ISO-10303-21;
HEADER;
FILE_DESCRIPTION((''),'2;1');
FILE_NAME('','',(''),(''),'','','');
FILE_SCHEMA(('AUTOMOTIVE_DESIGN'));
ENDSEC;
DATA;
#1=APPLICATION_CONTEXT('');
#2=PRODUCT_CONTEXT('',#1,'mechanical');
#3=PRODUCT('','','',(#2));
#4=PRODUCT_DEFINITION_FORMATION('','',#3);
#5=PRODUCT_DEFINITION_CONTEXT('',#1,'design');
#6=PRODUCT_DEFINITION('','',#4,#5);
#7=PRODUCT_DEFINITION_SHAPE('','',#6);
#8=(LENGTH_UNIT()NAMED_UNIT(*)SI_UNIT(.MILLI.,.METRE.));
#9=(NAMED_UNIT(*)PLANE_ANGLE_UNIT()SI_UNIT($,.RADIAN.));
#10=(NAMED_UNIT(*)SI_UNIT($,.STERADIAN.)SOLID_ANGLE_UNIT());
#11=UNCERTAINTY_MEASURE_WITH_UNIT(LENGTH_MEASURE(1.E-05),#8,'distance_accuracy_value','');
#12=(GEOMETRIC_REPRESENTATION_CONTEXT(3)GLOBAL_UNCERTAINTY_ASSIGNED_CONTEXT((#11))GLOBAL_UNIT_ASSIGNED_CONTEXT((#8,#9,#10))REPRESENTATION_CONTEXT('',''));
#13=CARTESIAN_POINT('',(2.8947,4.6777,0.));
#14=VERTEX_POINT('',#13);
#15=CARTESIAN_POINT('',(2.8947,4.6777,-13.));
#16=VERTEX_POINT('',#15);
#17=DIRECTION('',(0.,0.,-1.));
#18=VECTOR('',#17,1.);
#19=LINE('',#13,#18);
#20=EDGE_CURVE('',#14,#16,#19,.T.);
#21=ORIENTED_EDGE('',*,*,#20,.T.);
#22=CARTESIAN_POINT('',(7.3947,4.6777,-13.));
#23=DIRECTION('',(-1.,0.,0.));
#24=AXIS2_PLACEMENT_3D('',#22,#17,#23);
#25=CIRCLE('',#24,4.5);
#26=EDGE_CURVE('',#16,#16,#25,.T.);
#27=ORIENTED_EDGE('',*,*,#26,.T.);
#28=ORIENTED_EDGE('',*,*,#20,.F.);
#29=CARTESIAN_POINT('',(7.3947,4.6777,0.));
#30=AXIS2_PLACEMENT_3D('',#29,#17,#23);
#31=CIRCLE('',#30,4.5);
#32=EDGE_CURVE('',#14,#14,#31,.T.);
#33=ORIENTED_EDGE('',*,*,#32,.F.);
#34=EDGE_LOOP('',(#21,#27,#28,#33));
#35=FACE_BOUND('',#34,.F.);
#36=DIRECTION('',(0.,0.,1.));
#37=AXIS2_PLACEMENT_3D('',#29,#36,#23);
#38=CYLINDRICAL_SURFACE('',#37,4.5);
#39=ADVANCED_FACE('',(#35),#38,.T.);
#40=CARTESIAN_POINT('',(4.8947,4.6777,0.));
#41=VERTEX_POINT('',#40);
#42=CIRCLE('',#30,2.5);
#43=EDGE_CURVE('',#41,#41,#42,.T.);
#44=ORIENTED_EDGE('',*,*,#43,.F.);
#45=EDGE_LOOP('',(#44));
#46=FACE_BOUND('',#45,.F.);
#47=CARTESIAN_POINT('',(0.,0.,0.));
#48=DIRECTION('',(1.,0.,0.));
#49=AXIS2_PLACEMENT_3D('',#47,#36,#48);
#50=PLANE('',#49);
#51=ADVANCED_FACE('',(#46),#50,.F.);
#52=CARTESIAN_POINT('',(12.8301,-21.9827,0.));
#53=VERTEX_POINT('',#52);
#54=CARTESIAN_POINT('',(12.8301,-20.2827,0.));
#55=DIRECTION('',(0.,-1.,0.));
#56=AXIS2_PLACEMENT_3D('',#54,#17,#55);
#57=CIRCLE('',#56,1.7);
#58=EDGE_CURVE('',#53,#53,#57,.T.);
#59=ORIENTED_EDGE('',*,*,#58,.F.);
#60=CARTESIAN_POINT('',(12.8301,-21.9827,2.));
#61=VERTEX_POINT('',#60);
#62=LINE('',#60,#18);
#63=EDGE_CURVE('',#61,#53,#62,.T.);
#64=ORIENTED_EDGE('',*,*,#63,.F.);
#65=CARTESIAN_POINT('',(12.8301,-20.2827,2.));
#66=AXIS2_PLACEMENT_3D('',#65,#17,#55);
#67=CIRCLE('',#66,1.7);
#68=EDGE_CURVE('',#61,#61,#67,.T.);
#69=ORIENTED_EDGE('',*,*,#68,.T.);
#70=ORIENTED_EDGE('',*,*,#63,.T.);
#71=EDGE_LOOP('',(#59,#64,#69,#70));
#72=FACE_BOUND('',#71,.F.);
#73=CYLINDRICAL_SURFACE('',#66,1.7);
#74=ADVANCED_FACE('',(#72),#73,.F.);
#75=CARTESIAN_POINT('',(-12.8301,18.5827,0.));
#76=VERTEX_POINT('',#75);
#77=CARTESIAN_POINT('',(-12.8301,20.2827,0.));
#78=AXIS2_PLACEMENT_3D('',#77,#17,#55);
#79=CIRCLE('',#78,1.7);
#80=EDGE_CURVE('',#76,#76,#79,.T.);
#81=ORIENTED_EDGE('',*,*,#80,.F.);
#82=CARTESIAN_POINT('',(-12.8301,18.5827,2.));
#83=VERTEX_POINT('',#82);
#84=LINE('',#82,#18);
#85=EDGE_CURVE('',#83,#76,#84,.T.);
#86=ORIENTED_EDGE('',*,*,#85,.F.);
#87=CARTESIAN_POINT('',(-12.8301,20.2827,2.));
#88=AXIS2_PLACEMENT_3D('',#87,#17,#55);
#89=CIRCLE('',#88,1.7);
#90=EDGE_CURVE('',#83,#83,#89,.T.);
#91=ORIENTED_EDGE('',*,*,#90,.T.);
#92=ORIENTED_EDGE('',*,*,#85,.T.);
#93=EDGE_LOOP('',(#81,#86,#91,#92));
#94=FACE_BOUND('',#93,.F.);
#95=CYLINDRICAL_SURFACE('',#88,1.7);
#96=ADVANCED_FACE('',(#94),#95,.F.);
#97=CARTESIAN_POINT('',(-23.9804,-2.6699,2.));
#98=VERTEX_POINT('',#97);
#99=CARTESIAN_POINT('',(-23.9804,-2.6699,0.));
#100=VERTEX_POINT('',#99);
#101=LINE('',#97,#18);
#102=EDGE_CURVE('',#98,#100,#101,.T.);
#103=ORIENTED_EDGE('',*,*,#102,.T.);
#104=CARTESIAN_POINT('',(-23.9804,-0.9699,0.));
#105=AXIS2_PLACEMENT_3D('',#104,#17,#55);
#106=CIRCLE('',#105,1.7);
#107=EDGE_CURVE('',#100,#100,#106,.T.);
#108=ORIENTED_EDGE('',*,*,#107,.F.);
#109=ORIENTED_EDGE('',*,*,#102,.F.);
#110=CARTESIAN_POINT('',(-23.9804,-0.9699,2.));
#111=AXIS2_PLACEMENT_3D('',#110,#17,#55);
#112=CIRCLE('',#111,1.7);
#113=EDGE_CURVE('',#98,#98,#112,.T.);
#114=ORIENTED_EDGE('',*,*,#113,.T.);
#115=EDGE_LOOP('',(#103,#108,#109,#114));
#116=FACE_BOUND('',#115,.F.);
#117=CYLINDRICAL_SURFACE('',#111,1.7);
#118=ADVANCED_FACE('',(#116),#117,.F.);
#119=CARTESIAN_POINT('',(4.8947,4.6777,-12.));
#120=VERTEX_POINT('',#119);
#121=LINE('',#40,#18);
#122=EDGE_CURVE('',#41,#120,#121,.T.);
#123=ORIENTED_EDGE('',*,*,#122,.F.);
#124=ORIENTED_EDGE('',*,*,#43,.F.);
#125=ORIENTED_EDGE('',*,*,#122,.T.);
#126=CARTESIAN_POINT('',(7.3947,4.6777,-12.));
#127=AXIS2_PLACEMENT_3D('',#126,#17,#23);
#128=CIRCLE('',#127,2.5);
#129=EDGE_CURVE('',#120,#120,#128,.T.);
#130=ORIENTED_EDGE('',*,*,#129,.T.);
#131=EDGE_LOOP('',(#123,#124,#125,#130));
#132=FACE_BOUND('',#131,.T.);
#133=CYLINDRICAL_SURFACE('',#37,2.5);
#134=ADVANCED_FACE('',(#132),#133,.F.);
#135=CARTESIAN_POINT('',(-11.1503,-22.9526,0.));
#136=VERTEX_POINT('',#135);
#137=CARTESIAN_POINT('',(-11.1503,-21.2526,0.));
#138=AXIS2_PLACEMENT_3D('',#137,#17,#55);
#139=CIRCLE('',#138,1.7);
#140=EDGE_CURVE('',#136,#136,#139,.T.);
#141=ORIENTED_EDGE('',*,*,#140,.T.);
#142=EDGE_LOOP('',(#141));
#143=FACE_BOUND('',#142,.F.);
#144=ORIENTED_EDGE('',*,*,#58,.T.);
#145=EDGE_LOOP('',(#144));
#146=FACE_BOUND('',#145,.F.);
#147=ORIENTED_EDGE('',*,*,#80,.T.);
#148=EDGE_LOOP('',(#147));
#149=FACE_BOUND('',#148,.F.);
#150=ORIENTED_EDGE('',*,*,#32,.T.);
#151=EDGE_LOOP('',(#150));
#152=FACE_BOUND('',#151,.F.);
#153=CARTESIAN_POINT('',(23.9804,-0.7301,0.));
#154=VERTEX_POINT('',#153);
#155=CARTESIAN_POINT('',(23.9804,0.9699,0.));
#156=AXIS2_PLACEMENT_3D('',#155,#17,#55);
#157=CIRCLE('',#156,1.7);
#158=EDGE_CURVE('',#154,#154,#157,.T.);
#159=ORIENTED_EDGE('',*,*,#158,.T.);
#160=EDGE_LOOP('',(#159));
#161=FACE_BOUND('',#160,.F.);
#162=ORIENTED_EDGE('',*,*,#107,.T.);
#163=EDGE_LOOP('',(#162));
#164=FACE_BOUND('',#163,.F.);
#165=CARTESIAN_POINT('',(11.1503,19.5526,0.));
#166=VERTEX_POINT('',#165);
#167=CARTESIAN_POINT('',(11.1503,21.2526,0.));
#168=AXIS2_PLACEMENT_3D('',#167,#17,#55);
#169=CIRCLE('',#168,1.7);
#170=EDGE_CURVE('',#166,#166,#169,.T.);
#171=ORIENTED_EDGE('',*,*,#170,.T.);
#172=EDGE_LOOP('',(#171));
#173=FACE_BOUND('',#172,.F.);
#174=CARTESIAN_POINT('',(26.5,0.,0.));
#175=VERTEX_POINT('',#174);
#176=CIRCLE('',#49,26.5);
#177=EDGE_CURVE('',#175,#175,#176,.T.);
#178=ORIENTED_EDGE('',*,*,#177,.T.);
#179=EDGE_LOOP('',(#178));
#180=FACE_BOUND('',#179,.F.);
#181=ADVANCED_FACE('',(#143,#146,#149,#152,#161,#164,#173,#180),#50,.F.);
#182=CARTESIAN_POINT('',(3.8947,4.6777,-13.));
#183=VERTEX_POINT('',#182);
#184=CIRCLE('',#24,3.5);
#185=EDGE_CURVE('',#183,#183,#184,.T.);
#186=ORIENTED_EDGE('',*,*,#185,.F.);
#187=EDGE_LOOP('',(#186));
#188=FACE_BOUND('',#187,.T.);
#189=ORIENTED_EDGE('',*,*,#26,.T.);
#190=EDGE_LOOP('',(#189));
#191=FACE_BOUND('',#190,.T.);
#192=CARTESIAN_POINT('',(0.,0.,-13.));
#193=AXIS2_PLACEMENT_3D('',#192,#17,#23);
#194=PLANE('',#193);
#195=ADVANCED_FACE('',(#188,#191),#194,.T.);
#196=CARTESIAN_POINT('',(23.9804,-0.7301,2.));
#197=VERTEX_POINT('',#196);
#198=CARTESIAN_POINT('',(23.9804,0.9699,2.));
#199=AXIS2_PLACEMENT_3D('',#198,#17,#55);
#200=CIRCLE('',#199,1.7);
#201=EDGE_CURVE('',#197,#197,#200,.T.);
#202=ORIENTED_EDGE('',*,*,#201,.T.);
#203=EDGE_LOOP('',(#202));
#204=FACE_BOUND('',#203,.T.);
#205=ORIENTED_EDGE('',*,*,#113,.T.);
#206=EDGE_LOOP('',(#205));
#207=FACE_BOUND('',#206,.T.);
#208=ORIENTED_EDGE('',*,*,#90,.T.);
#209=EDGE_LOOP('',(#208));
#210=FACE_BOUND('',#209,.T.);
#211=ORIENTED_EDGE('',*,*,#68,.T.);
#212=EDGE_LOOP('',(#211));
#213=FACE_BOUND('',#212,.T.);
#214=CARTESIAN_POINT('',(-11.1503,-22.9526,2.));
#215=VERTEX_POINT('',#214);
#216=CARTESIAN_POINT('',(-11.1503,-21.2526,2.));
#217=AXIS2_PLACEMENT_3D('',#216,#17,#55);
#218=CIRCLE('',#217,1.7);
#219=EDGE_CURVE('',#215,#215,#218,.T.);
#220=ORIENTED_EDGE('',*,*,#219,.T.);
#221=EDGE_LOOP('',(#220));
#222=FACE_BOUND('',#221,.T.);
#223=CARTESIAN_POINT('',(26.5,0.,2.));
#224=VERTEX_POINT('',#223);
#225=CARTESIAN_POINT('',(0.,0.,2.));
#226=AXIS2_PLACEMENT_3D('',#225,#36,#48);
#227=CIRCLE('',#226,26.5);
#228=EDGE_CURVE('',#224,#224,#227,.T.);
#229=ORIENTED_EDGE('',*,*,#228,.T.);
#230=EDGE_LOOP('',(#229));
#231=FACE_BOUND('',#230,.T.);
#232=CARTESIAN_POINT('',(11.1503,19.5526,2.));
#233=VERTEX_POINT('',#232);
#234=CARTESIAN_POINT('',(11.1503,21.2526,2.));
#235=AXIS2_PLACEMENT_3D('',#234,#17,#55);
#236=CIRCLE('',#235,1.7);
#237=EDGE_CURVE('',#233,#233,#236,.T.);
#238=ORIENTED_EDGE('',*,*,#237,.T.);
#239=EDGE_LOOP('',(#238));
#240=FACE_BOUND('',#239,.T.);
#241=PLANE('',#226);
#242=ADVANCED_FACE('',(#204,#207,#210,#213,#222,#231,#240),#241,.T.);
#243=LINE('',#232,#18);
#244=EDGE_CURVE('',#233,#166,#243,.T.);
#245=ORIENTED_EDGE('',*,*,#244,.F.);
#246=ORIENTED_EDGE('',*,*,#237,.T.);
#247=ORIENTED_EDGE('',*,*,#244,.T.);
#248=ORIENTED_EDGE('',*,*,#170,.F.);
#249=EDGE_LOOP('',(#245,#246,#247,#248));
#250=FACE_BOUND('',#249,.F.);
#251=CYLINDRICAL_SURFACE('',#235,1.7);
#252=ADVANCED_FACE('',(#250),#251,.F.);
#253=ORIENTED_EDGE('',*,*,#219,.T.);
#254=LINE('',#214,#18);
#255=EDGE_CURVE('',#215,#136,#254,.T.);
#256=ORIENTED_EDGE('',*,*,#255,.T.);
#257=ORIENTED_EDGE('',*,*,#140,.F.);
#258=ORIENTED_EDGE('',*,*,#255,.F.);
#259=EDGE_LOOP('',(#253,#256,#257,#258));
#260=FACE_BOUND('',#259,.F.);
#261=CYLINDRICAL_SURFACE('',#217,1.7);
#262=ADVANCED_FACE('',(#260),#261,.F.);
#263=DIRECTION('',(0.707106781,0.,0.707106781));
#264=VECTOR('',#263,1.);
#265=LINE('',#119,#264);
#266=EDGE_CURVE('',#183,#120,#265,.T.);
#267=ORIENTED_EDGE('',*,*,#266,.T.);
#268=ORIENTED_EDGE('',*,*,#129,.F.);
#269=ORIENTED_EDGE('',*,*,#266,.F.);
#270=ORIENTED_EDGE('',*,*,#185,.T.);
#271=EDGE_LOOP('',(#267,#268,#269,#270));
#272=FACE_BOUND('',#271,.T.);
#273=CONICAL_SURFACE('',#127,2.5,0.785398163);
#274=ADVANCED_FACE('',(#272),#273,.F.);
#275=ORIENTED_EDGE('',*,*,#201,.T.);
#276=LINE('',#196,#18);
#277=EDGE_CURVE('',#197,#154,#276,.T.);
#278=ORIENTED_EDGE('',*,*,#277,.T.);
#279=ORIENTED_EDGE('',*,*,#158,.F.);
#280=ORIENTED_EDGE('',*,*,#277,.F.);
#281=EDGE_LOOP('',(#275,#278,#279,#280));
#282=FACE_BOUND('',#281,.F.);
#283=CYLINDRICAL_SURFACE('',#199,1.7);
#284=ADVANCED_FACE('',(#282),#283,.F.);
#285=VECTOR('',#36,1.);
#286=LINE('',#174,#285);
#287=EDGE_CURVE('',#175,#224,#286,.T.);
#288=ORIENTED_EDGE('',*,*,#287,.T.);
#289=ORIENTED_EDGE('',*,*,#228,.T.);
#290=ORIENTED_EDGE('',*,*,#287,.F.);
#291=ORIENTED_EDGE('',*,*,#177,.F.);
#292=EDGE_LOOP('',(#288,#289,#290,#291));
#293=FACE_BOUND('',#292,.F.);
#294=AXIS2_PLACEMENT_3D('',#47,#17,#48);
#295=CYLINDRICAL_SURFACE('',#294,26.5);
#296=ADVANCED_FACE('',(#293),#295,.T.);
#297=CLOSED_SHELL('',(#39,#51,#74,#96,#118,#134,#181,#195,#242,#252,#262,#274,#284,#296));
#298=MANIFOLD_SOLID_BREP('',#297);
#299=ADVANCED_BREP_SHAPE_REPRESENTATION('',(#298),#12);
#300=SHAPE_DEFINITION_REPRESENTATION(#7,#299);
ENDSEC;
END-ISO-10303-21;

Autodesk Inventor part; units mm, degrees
ref_plane "YZ Plane" through (0, 0, 0) normal (1, 0, 0) x (0, 1, 0)
ref_plane "XZ Plane" through (0, 0, 0) normal (0, 1, 0) x (-1, 0, 0)
ref_plane "XY Plane" through (0, 0, 0) normal (0, 0, 1) x (1, 0, 0)
sketch "Sketch2" plane through (0, 0, 0) normal (0, 0, 1) x (1, 0, 0)
  circle A0 centre (0, 0) radius 26.5
  dimension "d0" = 53
extrude "Extrusion1" add sketch "Sketch2" along normal blind 2
sketch "Sketch3" plane through (0, 0, 2) normal (0, 0, 1) x (1, 0, 0)
  circle A0 centre (-12.8301, 20.2827) radius 1.2295 construction
  circle A1 centre (-11.1503, -21.2526) radius 1.2295 construction
  circle A2 centre (23.9804, 0.9699) radius 1.2295 construction
  circle A3 centre (12.8301, -20.2827) radius 1.2295 construction
  circle A4 centre (-23.9804, -0.9699) radius 1.2295 construction
  circle A5 centre (11.1503, 21.2526) radius 1.2295 construction
  circle A6 centre (0, 0) radius 26.5 construction
  circle A7 centre (0, 0) radius 21.5 projected
  point P0 (0, 0)
hole "Hole1" at (23.9804, 0.9699, 2) at (12.8301, -20.2827, 2) at (-11.1503, -21.2526, 2) at (-23.9804, -0.9699, 2) at (-12.8301, 20.2827, 2) at (11.1503, 21.2526, 2) direction (0, 0, -1) diameter 3.4 end through all clearance for "Countersunk Flat Head Screw ISO 2009/7046" size "M3" standard "ISO"
sketch "Sketch4" plane through (0, 0, 0) normal (0, 0, -1) x (-1, 0, 0)
  circle A0 centre (-7.3947, 4.6777) radius 2.5
  circle A1 centre (-7.3947, 4.6777) radius 4.5
  circle A2 centre (-7.3947, 4.6777) radius 6 construction
  point P0 (0, 0)
  dimension "d10" = 5
  dimension "d11" = 2
extrude "Extrusion2" add sketch "Sketch4" along normal blind 13
chamfer "Chamfer1" distance 1 angle 45 1 edges at (9.8947, 4.6777, -13)
properties part number "P019" material "Aluminium"
